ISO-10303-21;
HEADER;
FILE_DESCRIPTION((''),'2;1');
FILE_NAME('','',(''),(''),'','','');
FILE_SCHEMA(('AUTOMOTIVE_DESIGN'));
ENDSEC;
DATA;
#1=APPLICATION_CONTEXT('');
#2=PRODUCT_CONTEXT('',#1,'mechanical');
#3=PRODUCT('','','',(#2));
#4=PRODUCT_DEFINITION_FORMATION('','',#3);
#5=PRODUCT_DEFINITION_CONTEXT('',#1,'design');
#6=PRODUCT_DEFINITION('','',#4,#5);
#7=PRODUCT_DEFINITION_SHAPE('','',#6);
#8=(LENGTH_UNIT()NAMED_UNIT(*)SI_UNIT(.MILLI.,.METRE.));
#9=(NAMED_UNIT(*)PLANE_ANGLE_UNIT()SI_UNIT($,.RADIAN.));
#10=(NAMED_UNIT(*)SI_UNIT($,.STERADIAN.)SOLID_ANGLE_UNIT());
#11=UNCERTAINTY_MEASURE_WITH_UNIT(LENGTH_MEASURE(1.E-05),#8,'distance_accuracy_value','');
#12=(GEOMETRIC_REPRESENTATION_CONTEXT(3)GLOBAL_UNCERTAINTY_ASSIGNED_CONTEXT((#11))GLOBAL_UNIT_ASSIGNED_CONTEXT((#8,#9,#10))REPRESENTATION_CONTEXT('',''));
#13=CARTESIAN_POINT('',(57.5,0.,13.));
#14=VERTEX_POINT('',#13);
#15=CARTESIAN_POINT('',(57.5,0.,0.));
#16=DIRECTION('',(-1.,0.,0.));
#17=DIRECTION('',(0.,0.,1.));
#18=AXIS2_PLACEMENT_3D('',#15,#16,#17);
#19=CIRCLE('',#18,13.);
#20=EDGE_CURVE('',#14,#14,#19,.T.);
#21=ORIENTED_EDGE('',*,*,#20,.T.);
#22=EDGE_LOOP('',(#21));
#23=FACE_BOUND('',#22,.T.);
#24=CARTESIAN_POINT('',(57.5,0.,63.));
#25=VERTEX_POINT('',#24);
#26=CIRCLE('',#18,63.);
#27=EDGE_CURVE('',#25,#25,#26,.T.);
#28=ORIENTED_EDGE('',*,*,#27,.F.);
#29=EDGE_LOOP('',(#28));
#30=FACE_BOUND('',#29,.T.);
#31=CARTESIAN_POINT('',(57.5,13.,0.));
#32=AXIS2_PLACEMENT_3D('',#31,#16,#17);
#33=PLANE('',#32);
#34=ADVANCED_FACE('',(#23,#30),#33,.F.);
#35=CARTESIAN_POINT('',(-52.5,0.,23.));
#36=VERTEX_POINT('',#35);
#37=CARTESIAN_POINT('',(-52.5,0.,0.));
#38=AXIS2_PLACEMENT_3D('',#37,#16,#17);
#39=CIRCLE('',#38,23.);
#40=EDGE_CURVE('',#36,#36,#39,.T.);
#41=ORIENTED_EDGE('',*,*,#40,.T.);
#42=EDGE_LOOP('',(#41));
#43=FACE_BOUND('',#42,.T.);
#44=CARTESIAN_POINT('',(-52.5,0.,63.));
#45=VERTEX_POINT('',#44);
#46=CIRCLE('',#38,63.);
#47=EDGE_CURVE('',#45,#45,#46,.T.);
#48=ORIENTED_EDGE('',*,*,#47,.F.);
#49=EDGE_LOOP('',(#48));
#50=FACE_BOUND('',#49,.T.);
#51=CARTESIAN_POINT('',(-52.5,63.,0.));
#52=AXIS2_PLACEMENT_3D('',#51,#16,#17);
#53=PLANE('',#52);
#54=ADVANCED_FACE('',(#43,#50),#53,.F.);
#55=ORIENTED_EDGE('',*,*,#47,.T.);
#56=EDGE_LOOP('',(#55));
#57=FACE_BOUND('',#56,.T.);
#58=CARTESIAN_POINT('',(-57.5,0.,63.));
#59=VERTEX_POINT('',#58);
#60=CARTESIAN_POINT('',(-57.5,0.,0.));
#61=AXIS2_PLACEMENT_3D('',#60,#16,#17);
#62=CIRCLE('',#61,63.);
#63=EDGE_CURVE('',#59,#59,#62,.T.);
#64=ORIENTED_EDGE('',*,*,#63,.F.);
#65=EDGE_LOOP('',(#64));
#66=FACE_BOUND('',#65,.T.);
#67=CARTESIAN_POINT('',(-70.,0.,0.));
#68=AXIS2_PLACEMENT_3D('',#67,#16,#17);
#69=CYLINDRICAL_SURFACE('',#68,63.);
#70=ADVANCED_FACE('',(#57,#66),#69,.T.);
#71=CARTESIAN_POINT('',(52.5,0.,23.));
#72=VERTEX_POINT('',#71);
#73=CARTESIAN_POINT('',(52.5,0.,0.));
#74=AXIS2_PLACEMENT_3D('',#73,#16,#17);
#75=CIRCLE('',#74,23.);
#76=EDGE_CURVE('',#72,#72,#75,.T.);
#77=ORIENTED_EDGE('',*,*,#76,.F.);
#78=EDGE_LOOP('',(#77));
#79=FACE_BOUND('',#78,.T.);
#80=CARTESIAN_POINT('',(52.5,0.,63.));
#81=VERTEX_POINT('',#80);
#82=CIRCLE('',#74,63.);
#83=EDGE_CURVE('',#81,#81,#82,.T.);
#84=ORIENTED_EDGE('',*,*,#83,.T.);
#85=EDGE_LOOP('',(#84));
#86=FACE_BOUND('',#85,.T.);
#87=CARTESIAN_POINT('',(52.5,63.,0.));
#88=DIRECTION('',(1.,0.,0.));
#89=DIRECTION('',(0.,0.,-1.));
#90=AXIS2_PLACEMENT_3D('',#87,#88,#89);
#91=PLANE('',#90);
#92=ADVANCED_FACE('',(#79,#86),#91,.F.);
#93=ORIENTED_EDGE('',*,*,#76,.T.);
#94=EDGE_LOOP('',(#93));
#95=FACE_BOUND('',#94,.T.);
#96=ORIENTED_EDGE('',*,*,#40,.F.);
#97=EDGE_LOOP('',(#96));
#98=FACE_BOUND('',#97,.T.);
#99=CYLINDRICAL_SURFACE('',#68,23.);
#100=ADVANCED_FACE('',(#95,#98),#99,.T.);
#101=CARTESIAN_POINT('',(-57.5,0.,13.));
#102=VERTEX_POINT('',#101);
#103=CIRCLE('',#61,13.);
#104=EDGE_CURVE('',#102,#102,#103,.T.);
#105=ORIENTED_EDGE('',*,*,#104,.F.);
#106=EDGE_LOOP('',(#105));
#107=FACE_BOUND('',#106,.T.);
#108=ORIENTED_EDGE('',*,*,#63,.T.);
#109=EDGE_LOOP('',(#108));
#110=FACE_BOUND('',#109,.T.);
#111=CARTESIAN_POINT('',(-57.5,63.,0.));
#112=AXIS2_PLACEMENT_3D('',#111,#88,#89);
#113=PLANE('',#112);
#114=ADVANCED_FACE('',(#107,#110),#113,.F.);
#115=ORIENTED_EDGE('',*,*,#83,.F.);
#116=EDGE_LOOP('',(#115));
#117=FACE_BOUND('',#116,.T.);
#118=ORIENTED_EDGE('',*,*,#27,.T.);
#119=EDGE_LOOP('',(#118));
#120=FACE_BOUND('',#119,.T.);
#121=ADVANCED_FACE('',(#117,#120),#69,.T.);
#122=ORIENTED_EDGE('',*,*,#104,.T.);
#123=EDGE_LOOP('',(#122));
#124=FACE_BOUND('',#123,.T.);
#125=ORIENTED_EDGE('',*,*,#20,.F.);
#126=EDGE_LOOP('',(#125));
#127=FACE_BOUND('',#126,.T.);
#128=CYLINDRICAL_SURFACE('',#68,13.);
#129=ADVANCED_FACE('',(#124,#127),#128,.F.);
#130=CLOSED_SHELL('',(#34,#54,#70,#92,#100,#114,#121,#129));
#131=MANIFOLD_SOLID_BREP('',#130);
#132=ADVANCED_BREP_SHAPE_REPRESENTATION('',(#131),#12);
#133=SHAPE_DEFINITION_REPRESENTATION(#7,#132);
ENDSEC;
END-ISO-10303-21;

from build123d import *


with BuildPart() as part:
    # Sketch1 → Revolve1 (revolve)
    with BuildSketch(Plane.XY, mode=Mode.PRIVATE) as revolve1_sk:
        Polygon((-57.5, 63), (-52.5, 63), (-52.5, 23), (52.5, 23), (52.5, 63), (57.5, 63), (57.5, 13), (-57.5, 13), align=None)
    revolve(revolve1_sk.sketch.rotate(Axis((-70, 0, 0), (1, 0, 0)), 90), axis=Axis((-70, 0, 0), (1, 0, 0)))


solid = part.part
